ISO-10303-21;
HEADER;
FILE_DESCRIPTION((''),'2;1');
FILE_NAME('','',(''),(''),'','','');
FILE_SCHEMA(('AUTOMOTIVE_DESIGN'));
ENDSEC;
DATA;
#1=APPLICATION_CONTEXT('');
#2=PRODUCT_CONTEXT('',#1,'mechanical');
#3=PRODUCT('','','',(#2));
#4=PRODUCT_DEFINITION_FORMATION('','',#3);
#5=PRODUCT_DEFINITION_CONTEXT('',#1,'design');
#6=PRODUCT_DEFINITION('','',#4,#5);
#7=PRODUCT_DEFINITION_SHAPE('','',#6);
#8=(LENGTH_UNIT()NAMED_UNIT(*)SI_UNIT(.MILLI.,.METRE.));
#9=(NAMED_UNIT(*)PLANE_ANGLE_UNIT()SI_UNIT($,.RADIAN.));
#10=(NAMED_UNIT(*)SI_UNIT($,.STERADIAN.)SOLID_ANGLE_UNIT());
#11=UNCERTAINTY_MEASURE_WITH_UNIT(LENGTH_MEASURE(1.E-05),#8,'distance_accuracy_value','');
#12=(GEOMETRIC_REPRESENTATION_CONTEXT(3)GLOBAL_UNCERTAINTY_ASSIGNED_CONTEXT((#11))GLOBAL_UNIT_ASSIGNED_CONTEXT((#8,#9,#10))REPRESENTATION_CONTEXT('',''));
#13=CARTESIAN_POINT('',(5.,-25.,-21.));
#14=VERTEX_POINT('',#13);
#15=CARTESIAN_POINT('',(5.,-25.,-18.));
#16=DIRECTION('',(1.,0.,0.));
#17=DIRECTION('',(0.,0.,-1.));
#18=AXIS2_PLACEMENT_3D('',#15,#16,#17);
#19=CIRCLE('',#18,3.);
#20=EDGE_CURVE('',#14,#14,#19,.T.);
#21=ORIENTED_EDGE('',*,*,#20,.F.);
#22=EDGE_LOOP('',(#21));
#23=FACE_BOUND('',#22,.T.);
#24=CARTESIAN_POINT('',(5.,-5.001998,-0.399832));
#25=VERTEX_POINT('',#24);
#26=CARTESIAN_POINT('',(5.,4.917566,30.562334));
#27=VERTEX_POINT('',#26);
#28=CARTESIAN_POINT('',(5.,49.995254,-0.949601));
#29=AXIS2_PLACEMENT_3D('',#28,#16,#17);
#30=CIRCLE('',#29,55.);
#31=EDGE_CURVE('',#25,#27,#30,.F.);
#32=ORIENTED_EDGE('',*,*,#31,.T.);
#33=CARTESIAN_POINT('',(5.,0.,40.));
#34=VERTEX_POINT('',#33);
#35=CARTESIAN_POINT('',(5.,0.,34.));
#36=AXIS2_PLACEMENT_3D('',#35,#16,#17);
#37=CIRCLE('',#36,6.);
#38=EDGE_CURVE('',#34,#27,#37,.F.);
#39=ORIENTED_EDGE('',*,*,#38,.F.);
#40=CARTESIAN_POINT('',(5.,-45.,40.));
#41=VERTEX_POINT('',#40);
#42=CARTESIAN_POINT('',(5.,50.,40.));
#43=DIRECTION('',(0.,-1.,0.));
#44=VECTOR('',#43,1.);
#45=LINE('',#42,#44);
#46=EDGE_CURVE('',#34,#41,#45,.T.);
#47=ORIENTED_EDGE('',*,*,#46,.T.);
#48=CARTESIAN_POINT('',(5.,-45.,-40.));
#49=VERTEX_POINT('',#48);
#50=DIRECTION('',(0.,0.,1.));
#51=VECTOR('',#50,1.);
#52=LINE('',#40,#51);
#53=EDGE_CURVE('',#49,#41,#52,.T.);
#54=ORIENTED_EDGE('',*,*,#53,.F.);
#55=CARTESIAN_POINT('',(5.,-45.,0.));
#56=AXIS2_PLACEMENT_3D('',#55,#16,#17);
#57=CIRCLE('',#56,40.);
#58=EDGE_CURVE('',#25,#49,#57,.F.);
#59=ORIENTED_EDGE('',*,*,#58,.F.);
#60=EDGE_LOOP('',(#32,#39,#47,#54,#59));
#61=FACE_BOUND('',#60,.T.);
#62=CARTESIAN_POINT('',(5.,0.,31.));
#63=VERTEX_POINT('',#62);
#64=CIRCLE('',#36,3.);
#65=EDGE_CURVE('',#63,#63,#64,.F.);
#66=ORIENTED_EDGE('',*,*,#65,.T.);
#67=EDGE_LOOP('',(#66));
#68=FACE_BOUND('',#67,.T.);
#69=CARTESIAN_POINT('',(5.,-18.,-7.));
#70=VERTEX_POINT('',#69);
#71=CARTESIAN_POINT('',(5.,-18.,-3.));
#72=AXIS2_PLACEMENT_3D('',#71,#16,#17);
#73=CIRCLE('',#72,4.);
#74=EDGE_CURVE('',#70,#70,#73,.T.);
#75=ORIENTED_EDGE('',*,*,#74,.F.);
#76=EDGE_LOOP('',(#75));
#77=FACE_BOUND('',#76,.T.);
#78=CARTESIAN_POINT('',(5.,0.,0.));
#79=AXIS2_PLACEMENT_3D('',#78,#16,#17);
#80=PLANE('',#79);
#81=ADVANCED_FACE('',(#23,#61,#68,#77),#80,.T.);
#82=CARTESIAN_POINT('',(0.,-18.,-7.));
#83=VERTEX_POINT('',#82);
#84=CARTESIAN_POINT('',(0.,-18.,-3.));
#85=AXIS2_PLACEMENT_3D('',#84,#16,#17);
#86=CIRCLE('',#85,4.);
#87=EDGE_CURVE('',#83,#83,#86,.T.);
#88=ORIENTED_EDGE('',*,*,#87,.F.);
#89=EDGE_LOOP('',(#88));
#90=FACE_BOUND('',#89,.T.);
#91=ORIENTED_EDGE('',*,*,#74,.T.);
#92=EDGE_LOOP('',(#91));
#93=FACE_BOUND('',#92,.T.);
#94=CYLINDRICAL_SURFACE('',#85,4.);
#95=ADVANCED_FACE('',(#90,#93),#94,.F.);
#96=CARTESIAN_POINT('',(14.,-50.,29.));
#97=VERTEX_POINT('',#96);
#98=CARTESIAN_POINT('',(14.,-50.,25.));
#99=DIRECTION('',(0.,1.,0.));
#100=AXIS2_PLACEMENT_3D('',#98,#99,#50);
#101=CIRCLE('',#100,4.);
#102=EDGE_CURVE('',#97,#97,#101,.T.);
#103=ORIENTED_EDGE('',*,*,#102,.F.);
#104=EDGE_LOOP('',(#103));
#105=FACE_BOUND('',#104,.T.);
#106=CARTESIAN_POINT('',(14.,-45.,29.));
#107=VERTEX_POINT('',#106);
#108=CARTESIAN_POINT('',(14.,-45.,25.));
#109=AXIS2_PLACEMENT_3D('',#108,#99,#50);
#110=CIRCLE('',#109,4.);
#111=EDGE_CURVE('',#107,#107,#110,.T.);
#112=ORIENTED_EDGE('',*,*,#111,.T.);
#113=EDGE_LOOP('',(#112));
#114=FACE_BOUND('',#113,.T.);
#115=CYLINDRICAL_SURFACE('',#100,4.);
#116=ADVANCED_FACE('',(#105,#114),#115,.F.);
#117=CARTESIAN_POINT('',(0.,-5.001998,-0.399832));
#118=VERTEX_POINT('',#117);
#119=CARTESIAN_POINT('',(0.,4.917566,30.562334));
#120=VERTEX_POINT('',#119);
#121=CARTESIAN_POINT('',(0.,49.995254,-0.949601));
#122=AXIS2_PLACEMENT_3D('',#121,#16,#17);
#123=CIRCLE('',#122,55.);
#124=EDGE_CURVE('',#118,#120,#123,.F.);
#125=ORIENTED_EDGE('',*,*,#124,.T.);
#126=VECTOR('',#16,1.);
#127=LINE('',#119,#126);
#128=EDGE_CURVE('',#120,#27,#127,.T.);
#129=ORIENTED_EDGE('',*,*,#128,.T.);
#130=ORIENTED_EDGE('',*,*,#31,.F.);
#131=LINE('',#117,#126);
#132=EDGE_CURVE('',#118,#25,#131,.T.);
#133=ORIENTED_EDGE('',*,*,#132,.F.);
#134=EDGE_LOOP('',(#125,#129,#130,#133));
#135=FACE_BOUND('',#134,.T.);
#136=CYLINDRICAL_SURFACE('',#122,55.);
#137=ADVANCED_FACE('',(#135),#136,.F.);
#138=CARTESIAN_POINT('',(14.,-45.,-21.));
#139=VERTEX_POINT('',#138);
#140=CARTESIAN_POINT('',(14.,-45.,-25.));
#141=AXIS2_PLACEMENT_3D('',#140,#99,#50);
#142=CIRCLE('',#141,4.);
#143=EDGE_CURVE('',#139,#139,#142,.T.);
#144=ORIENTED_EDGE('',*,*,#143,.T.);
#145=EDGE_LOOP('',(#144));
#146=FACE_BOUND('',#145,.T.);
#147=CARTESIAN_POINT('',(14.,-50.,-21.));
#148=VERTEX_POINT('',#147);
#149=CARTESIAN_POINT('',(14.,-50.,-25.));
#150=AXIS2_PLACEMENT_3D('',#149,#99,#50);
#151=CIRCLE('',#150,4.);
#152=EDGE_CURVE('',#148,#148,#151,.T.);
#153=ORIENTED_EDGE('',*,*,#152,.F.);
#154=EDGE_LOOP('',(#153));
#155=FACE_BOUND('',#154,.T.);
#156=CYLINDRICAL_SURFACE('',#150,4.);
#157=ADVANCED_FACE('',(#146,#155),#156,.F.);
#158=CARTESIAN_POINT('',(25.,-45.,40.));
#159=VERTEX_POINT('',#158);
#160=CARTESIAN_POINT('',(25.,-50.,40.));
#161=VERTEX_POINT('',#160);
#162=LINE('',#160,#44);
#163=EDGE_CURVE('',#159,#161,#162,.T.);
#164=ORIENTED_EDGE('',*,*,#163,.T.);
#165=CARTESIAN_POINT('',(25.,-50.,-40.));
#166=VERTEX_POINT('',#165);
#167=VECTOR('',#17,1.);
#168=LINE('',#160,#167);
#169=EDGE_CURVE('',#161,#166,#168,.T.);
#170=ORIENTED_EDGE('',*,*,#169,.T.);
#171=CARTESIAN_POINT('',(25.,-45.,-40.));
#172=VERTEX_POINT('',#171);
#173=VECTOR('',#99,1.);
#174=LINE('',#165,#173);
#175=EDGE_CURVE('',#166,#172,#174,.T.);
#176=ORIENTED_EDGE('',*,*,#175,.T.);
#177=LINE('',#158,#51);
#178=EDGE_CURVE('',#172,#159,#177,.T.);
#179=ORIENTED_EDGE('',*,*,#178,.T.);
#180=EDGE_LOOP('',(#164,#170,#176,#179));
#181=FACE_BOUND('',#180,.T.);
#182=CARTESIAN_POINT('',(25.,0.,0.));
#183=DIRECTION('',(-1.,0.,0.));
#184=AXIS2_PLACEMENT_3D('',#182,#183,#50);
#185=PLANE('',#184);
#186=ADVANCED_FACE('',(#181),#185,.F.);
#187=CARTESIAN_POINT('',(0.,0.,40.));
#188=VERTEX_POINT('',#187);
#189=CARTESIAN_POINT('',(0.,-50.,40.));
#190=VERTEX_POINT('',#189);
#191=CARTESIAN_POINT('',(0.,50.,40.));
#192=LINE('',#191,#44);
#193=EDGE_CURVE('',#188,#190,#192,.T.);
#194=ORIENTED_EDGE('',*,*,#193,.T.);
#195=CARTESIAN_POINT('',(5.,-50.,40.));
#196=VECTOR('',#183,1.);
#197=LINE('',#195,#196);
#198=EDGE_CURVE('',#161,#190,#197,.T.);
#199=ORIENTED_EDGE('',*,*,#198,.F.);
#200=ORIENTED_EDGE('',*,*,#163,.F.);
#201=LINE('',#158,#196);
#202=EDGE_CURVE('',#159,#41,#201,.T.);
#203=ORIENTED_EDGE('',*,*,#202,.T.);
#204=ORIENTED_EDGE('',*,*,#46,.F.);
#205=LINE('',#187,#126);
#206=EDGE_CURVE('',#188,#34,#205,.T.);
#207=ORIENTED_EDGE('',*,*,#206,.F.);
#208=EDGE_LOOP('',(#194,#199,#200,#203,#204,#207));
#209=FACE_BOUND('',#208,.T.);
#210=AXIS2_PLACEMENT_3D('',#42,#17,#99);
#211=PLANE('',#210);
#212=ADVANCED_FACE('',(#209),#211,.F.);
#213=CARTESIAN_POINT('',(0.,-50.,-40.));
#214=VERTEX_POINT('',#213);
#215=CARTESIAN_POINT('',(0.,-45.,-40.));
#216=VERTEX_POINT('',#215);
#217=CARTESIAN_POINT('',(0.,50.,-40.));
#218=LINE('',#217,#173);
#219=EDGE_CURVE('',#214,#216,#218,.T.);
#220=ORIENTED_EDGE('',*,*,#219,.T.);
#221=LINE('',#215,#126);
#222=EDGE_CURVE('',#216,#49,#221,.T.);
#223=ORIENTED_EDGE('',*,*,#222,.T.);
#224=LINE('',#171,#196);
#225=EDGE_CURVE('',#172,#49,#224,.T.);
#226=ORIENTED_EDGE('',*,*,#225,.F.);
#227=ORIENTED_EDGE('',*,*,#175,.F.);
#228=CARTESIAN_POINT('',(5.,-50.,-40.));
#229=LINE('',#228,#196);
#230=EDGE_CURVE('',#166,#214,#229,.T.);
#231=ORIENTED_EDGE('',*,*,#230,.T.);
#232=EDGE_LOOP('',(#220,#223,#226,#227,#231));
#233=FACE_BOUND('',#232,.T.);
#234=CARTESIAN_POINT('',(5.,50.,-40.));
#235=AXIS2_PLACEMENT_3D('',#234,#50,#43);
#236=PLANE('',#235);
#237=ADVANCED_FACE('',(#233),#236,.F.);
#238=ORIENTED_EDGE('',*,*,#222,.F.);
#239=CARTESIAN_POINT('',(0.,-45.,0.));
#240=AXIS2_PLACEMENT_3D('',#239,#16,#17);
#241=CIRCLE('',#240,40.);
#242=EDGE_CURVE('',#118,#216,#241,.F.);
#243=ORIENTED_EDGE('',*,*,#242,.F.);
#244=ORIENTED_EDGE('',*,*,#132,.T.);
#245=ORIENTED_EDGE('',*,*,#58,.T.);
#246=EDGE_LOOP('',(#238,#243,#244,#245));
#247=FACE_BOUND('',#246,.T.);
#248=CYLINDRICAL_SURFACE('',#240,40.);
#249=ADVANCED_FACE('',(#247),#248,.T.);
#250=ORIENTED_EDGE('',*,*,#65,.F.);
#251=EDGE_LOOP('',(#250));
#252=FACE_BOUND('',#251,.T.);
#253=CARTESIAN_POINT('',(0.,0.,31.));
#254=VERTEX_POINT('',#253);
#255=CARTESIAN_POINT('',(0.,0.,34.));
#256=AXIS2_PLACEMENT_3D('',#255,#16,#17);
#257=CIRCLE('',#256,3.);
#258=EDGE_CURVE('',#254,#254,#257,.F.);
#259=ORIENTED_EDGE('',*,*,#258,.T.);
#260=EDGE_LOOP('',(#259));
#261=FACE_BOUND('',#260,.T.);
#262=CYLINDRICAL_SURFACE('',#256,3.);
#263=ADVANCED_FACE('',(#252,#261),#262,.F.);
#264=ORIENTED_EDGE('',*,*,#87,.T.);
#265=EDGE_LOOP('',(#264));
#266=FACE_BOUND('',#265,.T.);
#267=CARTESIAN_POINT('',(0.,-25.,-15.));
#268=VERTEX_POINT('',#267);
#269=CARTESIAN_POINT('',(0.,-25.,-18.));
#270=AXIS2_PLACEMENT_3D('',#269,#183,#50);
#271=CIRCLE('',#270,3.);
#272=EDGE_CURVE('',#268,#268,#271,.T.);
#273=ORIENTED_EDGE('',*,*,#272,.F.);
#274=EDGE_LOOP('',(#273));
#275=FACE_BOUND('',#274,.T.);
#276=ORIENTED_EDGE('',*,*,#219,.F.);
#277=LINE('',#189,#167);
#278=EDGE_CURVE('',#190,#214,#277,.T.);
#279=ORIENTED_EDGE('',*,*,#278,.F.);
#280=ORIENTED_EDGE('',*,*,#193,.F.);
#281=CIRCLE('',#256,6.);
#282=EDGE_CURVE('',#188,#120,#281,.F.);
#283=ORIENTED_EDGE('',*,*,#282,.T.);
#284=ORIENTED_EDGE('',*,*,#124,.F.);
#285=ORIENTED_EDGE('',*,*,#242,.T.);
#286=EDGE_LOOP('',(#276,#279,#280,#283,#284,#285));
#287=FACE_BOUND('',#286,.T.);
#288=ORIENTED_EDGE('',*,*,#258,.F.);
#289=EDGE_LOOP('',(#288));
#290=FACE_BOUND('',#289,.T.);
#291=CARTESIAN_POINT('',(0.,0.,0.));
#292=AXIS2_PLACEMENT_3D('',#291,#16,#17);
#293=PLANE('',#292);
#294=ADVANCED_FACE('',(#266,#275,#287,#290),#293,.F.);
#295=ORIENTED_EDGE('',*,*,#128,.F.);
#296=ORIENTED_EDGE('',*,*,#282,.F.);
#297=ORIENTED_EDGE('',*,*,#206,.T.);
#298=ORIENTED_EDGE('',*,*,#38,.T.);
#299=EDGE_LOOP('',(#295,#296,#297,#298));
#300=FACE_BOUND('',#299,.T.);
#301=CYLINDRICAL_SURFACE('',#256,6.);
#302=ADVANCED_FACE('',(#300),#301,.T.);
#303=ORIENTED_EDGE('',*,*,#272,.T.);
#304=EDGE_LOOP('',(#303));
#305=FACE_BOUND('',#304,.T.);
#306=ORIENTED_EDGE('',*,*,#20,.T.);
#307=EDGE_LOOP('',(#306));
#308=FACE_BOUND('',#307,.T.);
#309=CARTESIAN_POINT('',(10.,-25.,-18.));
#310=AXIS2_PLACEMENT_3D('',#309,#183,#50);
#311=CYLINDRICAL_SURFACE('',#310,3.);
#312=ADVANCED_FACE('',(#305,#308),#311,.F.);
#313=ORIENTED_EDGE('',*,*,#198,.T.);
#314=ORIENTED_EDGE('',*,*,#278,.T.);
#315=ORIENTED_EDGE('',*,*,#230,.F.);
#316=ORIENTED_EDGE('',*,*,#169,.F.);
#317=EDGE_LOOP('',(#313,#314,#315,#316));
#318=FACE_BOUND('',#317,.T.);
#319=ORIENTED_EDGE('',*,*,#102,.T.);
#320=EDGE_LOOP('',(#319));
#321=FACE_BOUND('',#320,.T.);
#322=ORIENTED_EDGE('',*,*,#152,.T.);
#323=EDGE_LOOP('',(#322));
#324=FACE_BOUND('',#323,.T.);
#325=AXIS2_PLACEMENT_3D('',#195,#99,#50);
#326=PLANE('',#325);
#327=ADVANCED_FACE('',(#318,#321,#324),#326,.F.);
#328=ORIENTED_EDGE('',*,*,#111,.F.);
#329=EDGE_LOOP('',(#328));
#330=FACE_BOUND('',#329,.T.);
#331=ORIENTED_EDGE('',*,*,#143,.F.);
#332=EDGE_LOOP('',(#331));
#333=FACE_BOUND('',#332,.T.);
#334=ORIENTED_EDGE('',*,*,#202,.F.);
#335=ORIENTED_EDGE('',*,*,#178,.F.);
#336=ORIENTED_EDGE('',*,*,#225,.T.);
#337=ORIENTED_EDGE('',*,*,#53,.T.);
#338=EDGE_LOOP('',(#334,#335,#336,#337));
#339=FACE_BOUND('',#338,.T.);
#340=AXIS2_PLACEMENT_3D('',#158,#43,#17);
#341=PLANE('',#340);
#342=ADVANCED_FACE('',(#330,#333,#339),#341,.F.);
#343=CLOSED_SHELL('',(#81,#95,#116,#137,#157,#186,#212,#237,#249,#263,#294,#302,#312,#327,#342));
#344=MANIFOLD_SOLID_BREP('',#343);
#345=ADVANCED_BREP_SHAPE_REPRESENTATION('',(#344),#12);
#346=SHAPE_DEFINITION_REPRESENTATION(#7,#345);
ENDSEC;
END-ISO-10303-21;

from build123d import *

# Parameters (mm, degrees)
SKETCH1_W           = 80
SKETCH1_H           = 100
BOSS_EXTRUDE1_DEPTH = 5
SKETCH2_W           = 80
SKETCH2_H           = 5
BOSS_EXTRUDE2_DEPTH = 20
SKETCH3_R           = 4
CUT_EXTRUDE1_DEPTH  = 107.066017178
SKETCH4_R           = 4
CUT_EXTRUDE2_DEPTH  = 68.082039325
SKETCH5_R           = 3
CUT_EXTRUDE4_DEPTH  = 68.082039325
SKETCH7_R           = 3
CUT_EXTRUDE5_DEPTH  = 10


with BuildPart() as part:
    # Sketch1 → Boss-Extrude1 (new body)
    with BuildSketch(Plane(origin=(0, 0, 0), x_dir=(0, 0, -1), z_dir=(1, 0, 0))):
        Rectangle(SKETCH1_W, SKETCH1_H)
    extrude(amount=BOSS_EXTRUDE1_DEPTH)

    # Sketch2 → Boss-Extrude2 (add)
    with BuildSketch(Plane(origin=(5, 0, 0), x_dir=(0, 0, -1), z_dir=(1, 0, 0))):
        with Locations((0, -47.5)):
            Rectangle(SKETCH2_W, SKETCH2_H)
    extrude(amount=BOSS_EXTRUDE2_DEPTH)

    # Sketch3 → Cut-Extrude1 (cut, through all)
    with BuildSketch(Plane(origin=(0, -45, 0), x_dir=(1, 0, 0), z_dir=(0, 1, 0))):
        with Locations(Location((14, 25, 0), (0, 0, 270))):
            Circle(SKETCH3_R)
        with Locations(Location((14, -25, 0), (0, 0, 270))):
            Circle(SKETCH3_R)
    extrude(amount=-CUT_EXTRUDE1_DEPTH, mode=Mode.SUBTRACT)

    # Sketch4 → Cut-Extrude2 (cut, through all)
    with BuildSketch(Plane(origin=(5, 0, 0), x_dir=(0, 0, -1), z_dir=(1, 0, 0))):
        with Locations((3, -18)):
            Circle(SKETCH4_R)
    extrude(amount=-CUT_EXTRUDE2_DEPTH, mode=Mode.SUBTRACT)

    # Sketch5 → Cut-Extrude4 (cut, through all)
    with BuildSketch(Plane(origin=(5, 0, 0), x_dir=(0, 0, -1), z_dir=(1, 0, 0))):
        with BuildLine():
            Line((-40, 50), (-40, 0))
            ThreePointArc((-40, 0), (-36.772544511, 5.320995859), (-30.562334356, 4.917565955))
            ThreePointArc((-30.562334356, 4.917565955), (-15.830972977, -2.382340063), (0.39983188, -5.001998369))
            ThreePointArc((0.39983188, -5.001998369), (28.425281663, -16.857445702), (40, -45))
            Line((40, -45), (40, 50))
            Line((40, 50), (-40, 50))
        make_face()
        with Locations((-34, 0)):
            Circle(SKETCH5_R)
    extrude(amount=-CUT_EXTRUDE4_DEPTH, mode=Mode.SUBTRACT)

    # Sketch7 → Cut-Extrude5 (cut)
    with BuildSketch(Plane.ZY):
        with Locations((-18, -25)):
            Circle(SKETCH7_R)
    extrude(amount=-CUT_EXTRUDE5_DEPTH, mode=Mode.SUBTRACT)


solid = part.part
